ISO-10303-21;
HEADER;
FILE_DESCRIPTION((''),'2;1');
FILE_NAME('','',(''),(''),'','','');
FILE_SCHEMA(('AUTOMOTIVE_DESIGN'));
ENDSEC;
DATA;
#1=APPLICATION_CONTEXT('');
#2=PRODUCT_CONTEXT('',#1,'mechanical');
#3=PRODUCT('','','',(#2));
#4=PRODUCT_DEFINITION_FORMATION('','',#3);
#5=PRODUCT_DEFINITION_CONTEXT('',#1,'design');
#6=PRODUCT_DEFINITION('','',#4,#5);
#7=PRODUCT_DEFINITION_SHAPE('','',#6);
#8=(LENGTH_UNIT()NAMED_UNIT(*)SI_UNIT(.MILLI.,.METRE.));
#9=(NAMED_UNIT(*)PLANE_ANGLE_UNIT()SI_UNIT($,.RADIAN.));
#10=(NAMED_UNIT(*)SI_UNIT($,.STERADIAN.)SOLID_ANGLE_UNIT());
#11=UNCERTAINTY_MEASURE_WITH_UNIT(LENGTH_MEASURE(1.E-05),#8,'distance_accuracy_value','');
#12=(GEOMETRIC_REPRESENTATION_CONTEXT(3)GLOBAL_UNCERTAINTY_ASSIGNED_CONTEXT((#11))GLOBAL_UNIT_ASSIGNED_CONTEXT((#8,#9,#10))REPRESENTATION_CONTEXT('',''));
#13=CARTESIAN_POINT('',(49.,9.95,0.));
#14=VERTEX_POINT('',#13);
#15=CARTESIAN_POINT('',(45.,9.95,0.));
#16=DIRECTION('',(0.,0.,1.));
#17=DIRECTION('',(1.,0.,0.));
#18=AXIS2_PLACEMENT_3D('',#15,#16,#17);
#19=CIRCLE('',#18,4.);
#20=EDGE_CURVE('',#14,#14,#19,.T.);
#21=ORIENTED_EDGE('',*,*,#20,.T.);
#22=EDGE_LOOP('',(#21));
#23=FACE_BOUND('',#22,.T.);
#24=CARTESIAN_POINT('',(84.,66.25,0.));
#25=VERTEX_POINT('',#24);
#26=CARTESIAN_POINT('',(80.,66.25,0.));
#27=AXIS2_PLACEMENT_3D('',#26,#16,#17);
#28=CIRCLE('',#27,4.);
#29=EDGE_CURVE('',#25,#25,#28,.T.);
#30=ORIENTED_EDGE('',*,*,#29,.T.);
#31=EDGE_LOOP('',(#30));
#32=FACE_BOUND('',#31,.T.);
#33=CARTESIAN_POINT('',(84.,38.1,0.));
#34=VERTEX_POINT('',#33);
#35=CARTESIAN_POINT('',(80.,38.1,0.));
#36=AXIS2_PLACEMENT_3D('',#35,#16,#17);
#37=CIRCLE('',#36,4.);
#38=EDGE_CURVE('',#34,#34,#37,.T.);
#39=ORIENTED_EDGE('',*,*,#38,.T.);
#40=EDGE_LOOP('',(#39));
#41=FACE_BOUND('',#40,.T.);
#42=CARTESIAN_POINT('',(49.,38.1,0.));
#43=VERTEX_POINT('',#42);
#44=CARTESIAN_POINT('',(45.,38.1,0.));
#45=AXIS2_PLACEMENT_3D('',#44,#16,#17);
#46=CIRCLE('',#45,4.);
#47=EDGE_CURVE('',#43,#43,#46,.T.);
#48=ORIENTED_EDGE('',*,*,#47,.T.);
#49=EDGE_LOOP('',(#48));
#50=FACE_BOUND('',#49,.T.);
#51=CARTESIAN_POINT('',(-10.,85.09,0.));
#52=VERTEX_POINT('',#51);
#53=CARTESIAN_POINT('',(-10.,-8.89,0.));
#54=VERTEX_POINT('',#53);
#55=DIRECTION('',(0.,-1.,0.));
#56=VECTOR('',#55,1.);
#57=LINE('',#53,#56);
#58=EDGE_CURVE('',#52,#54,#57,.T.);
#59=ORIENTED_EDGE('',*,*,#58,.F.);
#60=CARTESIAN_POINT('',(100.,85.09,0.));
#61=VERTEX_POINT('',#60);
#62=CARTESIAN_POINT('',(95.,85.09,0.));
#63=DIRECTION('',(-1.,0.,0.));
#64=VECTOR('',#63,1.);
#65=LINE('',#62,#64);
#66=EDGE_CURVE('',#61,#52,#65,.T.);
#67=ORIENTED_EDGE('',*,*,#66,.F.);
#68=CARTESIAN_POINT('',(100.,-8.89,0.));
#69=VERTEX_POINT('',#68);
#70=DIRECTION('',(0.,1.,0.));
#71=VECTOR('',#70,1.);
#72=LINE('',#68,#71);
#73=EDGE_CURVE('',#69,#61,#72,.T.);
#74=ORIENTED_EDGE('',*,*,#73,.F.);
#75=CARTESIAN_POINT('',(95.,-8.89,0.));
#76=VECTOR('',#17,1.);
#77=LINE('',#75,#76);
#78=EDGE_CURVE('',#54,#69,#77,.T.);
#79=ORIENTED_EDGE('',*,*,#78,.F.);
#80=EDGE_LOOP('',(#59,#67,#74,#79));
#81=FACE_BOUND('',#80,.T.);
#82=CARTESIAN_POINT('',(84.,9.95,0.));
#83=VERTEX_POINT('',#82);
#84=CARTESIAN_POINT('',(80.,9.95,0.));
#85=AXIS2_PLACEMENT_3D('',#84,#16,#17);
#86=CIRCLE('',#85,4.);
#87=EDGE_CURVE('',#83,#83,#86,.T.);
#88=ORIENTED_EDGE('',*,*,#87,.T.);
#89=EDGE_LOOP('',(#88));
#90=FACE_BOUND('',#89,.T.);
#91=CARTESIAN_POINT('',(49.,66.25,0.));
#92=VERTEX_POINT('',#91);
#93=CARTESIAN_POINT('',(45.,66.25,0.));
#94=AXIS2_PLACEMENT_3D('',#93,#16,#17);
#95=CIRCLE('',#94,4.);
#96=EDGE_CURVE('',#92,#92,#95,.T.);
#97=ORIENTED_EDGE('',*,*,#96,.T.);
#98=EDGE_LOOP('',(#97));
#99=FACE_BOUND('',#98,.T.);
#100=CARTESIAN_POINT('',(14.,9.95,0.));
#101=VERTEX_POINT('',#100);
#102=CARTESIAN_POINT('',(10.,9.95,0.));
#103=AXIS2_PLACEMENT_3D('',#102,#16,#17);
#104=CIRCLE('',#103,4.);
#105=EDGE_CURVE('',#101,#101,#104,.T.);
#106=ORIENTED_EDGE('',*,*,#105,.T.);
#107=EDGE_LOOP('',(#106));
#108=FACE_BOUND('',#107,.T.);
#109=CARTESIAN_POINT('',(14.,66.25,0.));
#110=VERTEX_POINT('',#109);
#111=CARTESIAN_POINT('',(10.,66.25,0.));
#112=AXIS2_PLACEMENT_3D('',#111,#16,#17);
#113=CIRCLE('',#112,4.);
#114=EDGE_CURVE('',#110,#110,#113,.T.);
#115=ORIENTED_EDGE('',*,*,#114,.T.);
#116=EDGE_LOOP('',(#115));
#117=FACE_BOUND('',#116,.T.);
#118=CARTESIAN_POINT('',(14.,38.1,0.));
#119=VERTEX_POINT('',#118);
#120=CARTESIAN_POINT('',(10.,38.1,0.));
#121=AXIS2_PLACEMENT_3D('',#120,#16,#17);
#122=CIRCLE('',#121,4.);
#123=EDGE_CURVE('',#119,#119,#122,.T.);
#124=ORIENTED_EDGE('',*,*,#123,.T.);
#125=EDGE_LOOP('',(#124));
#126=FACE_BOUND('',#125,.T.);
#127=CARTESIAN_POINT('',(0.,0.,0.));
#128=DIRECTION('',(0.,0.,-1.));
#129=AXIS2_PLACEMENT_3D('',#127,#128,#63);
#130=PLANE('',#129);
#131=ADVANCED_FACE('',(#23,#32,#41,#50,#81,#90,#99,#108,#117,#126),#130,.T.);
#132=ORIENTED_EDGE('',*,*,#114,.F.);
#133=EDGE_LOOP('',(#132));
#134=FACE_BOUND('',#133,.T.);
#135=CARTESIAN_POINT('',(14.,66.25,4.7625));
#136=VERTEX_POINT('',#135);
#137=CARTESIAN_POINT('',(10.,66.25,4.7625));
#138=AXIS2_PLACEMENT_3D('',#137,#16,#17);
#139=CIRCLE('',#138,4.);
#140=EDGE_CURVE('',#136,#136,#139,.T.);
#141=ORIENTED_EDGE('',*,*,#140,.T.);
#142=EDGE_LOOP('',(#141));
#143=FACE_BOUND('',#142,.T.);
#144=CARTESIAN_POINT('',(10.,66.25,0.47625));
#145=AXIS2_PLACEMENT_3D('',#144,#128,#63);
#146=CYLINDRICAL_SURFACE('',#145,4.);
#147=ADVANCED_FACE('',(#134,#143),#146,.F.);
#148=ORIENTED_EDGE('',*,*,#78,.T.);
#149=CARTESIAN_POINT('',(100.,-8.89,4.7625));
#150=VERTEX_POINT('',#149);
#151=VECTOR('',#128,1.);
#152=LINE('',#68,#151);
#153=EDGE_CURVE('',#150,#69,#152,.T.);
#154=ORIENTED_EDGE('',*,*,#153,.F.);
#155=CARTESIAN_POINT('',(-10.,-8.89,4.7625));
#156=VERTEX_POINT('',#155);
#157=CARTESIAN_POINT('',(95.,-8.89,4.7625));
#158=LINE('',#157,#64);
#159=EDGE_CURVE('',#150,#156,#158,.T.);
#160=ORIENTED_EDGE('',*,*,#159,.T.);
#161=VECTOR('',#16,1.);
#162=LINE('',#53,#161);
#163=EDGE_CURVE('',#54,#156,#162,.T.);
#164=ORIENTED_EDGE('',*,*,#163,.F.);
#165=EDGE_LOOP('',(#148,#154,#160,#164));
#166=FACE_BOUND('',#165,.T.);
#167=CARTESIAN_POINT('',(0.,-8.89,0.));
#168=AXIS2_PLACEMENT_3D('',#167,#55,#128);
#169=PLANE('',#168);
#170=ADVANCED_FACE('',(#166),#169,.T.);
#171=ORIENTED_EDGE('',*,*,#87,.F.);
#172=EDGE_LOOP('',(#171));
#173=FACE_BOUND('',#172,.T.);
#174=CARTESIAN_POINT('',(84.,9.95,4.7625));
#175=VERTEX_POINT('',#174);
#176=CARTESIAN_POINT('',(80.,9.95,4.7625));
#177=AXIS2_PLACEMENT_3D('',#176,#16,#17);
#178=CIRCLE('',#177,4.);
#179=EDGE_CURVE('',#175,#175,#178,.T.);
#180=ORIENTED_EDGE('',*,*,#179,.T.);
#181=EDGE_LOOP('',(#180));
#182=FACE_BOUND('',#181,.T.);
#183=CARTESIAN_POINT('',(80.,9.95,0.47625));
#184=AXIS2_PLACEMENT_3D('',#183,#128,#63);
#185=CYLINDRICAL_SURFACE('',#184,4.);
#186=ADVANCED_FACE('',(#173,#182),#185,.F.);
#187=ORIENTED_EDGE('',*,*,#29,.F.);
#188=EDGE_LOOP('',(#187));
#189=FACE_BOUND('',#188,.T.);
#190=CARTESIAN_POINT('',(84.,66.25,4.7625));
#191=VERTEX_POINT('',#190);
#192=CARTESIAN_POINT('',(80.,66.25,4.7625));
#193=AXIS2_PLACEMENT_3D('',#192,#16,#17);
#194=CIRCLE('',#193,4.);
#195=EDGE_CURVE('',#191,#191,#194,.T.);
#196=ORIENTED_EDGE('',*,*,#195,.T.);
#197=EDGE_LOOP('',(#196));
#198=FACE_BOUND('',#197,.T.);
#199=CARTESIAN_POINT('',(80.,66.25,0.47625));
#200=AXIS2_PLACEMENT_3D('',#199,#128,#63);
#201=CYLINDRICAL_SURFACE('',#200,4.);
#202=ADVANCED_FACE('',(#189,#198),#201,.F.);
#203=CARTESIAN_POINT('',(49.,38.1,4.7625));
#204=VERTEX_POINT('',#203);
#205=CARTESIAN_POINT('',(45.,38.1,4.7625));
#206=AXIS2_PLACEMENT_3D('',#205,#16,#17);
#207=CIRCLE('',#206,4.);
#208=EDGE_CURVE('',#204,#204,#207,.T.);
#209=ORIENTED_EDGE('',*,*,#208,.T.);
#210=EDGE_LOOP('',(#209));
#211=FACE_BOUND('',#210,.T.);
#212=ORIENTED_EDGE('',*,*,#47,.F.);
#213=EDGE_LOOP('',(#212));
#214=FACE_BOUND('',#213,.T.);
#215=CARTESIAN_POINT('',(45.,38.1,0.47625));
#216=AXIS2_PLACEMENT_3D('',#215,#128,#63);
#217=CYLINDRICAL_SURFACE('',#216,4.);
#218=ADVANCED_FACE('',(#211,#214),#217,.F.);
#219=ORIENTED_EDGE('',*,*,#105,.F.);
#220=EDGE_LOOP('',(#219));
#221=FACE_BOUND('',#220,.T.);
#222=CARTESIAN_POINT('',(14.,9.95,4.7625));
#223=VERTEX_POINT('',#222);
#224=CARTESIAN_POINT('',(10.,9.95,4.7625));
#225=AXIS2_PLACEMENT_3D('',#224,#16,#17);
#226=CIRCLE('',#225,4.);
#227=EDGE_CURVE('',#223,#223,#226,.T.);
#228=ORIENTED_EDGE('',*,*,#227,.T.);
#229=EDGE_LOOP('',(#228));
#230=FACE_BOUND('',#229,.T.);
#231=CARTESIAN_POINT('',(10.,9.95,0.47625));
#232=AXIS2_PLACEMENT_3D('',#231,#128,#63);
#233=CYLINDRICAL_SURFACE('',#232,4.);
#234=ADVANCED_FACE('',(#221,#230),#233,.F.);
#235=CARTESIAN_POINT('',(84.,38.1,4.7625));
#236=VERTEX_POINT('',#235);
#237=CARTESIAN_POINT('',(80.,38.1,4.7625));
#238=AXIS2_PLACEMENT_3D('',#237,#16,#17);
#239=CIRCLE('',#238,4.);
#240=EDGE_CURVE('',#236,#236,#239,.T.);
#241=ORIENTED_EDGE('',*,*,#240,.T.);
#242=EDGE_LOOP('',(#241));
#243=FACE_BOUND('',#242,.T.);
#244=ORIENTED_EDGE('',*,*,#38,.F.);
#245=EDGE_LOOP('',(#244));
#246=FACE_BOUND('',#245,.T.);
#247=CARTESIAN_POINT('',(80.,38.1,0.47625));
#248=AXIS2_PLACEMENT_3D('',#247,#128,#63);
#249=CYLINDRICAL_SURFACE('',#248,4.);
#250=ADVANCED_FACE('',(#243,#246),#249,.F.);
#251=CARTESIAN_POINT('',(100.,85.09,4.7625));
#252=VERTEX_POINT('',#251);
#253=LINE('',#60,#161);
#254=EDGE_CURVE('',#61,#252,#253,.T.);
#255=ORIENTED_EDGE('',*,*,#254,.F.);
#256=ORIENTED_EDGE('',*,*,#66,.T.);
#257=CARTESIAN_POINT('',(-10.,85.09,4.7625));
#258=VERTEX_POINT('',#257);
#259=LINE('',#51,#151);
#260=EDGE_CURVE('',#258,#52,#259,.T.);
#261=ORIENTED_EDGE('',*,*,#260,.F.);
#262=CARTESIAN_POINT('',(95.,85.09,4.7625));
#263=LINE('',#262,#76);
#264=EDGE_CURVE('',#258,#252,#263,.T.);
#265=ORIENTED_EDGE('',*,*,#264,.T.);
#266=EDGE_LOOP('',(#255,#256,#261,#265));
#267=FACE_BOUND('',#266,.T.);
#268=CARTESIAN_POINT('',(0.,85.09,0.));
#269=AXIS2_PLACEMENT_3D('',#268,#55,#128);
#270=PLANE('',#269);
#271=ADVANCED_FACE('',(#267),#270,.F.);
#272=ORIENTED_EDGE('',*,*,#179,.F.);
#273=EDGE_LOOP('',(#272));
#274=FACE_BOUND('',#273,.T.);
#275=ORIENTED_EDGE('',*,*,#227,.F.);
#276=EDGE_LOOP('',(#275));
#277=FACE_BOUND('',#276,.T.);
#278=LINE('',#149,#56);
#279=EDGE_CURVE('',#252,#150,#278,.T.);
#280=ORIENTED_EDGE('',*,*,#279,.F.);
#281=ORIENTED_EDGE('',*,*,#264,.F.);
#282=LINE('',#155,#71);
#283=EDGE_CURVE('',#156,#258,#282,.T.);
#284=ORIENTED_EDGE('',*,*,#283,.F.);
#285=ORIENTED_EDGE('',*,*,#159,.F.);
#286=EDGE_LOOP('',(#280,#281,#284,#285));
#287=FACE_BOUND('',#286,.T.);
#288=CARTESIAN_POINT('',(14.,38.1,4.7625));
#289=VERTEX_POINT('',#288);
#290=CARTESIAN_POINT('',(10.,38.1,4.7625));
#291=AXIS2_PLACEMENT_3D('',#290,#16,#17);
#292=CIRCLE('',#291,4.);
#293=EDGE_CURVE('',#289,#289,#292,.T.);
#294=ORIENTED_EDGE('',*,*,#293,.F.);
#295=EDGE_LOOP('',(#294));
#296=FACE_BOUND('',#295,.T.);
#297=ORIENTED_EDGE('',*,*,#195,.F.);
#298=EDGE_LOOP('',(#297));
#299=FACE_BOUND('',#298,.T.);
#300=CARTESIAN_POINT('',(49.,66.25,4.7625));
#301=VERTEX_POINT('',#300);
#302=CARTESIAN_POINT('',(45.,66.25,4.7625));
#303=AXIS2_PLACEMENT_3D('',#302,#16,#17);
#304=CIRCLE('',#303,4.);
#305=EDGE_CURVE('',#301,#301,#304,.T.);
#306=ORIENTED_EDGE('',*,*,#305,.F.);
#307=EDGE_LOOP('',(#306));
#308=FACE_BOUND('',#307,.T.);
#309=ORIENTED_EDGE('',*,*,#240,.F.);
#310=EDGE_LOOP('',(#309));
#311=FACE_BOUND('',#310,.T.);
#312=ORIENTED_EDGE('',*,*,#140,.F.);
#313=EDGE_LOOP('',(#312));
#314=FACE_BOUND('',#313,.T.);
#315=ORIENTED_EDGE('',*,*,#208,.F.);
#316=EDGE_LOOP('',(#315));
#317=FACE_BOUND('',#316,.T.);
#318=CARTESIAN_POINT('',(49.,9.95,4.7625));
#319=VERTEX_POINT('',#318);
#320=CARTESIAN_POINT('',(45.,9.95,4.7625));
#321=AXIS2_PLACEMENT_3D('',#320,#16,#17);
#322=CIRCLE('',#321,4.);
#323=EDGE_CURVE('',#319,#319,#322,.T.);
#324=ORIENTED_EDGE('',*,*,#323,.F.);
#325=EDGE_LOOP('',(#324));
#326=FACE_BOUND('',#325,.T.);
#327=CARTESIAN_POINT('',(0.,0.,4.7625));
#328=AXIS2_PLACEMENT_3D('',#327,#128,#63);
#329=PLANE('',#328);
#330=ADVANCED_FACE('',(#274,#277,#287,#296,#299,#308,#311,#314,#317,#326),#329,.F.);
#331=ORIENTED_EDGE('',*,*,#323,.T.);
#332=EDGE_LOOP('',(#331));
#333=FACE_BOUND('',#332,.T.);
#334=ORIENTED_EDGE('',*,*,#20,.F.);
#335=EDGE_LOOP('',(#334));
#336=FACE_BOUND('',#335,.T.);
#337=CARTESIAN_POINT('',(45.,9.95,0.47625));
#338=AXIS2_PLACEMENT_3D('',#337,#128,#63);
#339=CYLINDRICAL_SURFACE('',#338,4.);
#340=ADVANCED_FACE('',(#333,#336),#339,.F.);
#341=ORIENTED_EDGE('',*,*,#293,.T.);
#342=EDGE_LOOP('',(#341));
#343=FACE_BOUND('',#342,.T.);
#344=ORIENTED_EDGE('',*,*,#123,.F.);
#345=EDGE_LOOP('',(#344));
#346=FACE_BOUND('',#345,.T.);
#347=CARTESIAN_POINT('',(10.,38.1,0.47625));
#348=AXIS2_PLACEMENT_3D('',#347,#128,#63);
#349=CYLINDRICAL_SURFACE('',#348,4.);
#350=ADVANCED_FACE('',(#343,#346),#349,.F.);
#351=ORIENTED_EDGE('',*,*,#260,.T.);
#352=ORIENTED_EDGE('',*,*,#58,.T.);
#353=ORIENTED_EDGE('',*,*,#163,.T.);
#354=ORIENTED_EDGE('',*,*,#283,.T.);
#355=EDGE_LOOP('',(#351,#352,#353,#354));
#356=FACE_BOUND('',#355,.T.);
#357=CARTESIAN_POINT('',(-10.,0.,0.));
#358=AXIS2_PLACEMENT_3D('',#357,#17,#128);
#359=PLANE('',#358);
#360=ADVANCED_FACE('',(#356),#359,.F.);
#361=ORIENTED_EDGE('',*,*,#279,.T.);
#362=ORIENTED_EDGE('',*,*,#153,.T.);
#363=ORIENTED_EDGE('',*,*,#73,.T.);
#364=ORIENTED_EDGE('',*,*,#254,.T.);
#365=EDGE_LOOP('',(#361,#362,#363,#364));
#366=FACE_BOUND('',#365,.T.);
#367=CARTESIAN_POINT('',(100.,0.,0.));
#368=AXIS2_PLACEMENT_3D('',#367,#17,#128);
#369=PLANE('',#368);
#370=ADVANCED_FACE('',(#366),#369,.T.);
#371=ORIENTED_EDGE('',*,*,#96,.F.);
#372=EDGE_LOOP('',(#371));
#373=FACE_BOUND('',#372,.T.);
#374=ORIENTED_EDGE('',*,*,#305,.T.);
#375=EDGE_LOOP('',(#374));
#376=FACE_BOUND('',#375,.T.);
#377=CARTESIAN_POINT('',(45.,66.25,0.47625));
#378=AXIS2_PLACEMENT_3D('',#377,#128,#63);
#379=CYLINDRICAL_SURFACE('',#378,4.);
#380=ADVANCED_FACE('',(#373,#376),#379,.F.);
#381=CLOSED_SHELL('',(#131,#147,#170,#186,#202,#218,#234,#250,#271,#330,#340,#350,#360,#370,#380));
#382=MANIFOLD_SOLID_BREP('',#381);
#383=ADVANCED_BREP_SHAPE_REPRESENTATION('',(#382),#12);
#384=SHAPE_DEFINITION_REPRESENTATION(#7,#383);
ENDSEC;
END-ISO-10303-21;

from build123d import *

# Parameters (mm, degrees)
CROQUIS1_W               = 90
CROQUIS1_H               = 76.2
CROQUIS1_R               = 4
SALIENTE_EXTRUIR1_DEPTH  = 0.47625
CROQUIS1_2_W             = 90
CROQUIS1_2_H             = 76.2
CROQUIS1_2_R             = 4
SALIENTE_EXTRUIR2_DEPTH  = 4.7625
CROQUIS3_W               = 90
CROQUIS3_H               = 4.7625
SALIENTE_EXTRUIR3_DEPTH  = 4.445
CROQUIS5_W               = 90
CROQUIS5_H               = 4.7625
SALIENTE_EXTRUIR4_DEPTH  = 4.445
CROQUIS6_W               = 4.7625
CROQUIS6_H               = 85.09
SALIENTE_EXTRUIR5_DEPTH  = 5
CROQUIS7_W               = 4.7625
CROQUIS7_H               = 85.09
SALIENTE_EXTRUIR6_DEPTH  = 5
CROQUIS8_W               = 100
CROQUIS8_H               = 4.7625
SALIENTE_EXTRUIR7_DEPTH  = 4.445
CROQUIS9_W               = 100
CROQUIS9_H               = 4.7625
SALIENTE_EXTRUIR8_DEPTH  = 4.445
CROQUIS10_W              = 4.7625
CROQUIS10_H              = 93.98
SALIENTE_EXTRUIR9_DEPTH  = 5
CROQUIS12_W              = 4.7625
CROQUIS12_H              = 93.98
SALIENTE_EXTRUIR10_DEPTH = 5


with BuildPart() as part:
    # Croquis1 → Saliente-Extruir1 (new body)
    with BuildSketch(Plane.XY):
        with Locations((45, 38.1)):
            Rectangle(CROQUIS1_W, CROQUIS1_H)
        with Locations((45, 38.1)):
            Circle(CROQUIS1_R, mode=Mode.SUBTRACT)
        with Locations((10, 9.95)):
            Circle(CROQUIS1_R, mode=Mode.SUBTRACT)
        with Locations((10, 66.25)):
            Circle(CROQUIS1_R, mode=Mode.SUBTRACT)
        with Locations((80, 66.25)):
            Circle(CROQUIS1_R, mode=Mode.SUBTRACT)
        with Locations((80, 9.95)):
            Circle(CROQUIS1_R, mode=Mode.SUBTRACT)
        with Locations((45, 66.25)):
            Circle(CROQUIS1_R, mode=Mode.SUBTRACT)
        with Locations((10, 38.1)):
            Circle(CROQUIS1_R, mode=Mode.SUBTRACT)
        with Locations((80, 38.1)):
            Circle(CROQUIS1_R, mode=Mode.SUBTRACT)
        with Locations((45, 9.95)):
            Circle(CROQUIS1_R, mode=Mode.SUBTRACT)
    extrude(amount=SALIENTE_EXTRUIR1_DEPTH)

    # Croquis1<2> → Saliente-Extruir2 (add)
    with BuildSketch(Plane.XY):
        with Locations((45, 38.1)):
            Rectangle(CROQUIS1_2_W, CROQUIS1_2_H)
        with Locations((45, 38.1)):
            Circle(CROQUIS1_2_R, mode=Mode.SUBTRACT)
        with Locations((10, 9.95)):
            Circle(CROQUIS1_2_R, mode=Mode.SUBTRACT)
        with Locations((10, 66.25)):
            Circle(CROQUIS1_2_R, mode=Mode.SUBTRACT)
        with Locations((80, 66.25)):
            Circle(CROQUIS1_2_R, mode=Mode.SUBTRACT)
        with Locations((80, 9.95)):
            Circle(CROQUIS1_2_R, mode=Mode.SUBTRACT)
        with Locations((45, 66.25)):
            Circle(CROQUIS1_2_R, mode=Mode.SUBTRACT)
        with Locations((10, 38.1)):
            Circle(CROQUIS1_2_R, mode=Mode.SUBTRACT)
        with Locations((80, 38.1)):
            Circle(CROQUIS1_2_R, mode=Mode.SUBTRACT)
        with Locations((45, 9.95)):
            Circle(CROQUIS1_2_R, mode=Mode.SUBTRACT)
    extrude(amount=SALIENTE_EXTRUIR2_DEPTH)

    # Croquis3 → Saliente-Extruir3 (add)
    with BuildSketch(Plane.XZ):
        with Locations((45, 2.38125)):
            Rectangle(CROQUIS3_W, CROQUIS3_H)
    extrude(amount=SALIENTE_EXTRUIR3_DEPTH)

    # Croquis5 → Saliente-Extruir4 (add)
    with BuildSketch(Plane(origin=(0, 76.2, 0), x_dir=(1, 0, 0), z_dir=(0, 1, 0))):
        with Locations((45, -2.38125)):
            Rectangle(CROQUIS5_W, CROQUIS5_H)
    extrude(amount=SALIENTE_EXTRUIR4_DEPTH)

    # Croquis6 → Saliente-Extruir5 (add)
    with BuildSketch(Plane.ZY):
        with Locations((2.38125, 38.1)):
            Rectangle(CROQUIS6_W, CROQUIS6_H)
    extrude(amount=SALIENTE_EXTRUIR5_DEPTH)

    # Croquis7 → Saliente-Extruir6 (add)
    with BuildSketch(Plane(origin=(90, 0, 0), x_dir=(0, 0, -1), z_dir=(1, 0, 0))):
        with Locations((-2.38125, 38.1)):
            Rectangle(CROQUIS7_W, CROQUIS7_H)
    extrude(amount=SALIENTE_EXTRUIR6_DEPTH)

    # Croquis8 → Saliente-Extruir7 (add)
    with BuildSketch(Plane.XZ.offset(4.445)):
        with Locations((45, 2.38125)):
            Rectangle(CROQUIS8_W, CROQUIS8_H)
    extrude(amount=SALIENTE_EXTRUIR7_DEPTH)

    # Croquis9 → Saliente-Extruir8 (add)
    with BuildSketch(Plane(origin=(0, 80.645, 0), x_dir=(1, 0, 0), z_dir=(0, 1, 0))):
        with Locations((45, -2.38125)):
            Rectangle(CROQUIS9_W, CROQUIS9_H)
    extrude(amount=SALIENTE_EXTRUIR8_DEPTH)

    # Croquis10 → Saliente-Extruir9 (add)
    with BuildSketch(Plane(origin=(95, 0, 0), x_dir=(0, 0, -1), z_dir=(1, 0, 0))):
        with Locations((-2.38125, 38.1)):
            Rectangle(CROQUIS10_W, CROQUIS10_H)
    extrude(amount=SALIENTE_EXTRUIR9_DEPTH)

    # Croquis12 → Saliente-Extruir10 (add)
    with BuildSketch(Plane.ZY.offset(5)):
        with Locations((2.38125, 38.1)):
            Rectangle(CROQUIS12_W, CROQUIS12_H)
    extrude(amount=SALIENTE_EXTRUIR10_DEPTH)


solid = part.part
